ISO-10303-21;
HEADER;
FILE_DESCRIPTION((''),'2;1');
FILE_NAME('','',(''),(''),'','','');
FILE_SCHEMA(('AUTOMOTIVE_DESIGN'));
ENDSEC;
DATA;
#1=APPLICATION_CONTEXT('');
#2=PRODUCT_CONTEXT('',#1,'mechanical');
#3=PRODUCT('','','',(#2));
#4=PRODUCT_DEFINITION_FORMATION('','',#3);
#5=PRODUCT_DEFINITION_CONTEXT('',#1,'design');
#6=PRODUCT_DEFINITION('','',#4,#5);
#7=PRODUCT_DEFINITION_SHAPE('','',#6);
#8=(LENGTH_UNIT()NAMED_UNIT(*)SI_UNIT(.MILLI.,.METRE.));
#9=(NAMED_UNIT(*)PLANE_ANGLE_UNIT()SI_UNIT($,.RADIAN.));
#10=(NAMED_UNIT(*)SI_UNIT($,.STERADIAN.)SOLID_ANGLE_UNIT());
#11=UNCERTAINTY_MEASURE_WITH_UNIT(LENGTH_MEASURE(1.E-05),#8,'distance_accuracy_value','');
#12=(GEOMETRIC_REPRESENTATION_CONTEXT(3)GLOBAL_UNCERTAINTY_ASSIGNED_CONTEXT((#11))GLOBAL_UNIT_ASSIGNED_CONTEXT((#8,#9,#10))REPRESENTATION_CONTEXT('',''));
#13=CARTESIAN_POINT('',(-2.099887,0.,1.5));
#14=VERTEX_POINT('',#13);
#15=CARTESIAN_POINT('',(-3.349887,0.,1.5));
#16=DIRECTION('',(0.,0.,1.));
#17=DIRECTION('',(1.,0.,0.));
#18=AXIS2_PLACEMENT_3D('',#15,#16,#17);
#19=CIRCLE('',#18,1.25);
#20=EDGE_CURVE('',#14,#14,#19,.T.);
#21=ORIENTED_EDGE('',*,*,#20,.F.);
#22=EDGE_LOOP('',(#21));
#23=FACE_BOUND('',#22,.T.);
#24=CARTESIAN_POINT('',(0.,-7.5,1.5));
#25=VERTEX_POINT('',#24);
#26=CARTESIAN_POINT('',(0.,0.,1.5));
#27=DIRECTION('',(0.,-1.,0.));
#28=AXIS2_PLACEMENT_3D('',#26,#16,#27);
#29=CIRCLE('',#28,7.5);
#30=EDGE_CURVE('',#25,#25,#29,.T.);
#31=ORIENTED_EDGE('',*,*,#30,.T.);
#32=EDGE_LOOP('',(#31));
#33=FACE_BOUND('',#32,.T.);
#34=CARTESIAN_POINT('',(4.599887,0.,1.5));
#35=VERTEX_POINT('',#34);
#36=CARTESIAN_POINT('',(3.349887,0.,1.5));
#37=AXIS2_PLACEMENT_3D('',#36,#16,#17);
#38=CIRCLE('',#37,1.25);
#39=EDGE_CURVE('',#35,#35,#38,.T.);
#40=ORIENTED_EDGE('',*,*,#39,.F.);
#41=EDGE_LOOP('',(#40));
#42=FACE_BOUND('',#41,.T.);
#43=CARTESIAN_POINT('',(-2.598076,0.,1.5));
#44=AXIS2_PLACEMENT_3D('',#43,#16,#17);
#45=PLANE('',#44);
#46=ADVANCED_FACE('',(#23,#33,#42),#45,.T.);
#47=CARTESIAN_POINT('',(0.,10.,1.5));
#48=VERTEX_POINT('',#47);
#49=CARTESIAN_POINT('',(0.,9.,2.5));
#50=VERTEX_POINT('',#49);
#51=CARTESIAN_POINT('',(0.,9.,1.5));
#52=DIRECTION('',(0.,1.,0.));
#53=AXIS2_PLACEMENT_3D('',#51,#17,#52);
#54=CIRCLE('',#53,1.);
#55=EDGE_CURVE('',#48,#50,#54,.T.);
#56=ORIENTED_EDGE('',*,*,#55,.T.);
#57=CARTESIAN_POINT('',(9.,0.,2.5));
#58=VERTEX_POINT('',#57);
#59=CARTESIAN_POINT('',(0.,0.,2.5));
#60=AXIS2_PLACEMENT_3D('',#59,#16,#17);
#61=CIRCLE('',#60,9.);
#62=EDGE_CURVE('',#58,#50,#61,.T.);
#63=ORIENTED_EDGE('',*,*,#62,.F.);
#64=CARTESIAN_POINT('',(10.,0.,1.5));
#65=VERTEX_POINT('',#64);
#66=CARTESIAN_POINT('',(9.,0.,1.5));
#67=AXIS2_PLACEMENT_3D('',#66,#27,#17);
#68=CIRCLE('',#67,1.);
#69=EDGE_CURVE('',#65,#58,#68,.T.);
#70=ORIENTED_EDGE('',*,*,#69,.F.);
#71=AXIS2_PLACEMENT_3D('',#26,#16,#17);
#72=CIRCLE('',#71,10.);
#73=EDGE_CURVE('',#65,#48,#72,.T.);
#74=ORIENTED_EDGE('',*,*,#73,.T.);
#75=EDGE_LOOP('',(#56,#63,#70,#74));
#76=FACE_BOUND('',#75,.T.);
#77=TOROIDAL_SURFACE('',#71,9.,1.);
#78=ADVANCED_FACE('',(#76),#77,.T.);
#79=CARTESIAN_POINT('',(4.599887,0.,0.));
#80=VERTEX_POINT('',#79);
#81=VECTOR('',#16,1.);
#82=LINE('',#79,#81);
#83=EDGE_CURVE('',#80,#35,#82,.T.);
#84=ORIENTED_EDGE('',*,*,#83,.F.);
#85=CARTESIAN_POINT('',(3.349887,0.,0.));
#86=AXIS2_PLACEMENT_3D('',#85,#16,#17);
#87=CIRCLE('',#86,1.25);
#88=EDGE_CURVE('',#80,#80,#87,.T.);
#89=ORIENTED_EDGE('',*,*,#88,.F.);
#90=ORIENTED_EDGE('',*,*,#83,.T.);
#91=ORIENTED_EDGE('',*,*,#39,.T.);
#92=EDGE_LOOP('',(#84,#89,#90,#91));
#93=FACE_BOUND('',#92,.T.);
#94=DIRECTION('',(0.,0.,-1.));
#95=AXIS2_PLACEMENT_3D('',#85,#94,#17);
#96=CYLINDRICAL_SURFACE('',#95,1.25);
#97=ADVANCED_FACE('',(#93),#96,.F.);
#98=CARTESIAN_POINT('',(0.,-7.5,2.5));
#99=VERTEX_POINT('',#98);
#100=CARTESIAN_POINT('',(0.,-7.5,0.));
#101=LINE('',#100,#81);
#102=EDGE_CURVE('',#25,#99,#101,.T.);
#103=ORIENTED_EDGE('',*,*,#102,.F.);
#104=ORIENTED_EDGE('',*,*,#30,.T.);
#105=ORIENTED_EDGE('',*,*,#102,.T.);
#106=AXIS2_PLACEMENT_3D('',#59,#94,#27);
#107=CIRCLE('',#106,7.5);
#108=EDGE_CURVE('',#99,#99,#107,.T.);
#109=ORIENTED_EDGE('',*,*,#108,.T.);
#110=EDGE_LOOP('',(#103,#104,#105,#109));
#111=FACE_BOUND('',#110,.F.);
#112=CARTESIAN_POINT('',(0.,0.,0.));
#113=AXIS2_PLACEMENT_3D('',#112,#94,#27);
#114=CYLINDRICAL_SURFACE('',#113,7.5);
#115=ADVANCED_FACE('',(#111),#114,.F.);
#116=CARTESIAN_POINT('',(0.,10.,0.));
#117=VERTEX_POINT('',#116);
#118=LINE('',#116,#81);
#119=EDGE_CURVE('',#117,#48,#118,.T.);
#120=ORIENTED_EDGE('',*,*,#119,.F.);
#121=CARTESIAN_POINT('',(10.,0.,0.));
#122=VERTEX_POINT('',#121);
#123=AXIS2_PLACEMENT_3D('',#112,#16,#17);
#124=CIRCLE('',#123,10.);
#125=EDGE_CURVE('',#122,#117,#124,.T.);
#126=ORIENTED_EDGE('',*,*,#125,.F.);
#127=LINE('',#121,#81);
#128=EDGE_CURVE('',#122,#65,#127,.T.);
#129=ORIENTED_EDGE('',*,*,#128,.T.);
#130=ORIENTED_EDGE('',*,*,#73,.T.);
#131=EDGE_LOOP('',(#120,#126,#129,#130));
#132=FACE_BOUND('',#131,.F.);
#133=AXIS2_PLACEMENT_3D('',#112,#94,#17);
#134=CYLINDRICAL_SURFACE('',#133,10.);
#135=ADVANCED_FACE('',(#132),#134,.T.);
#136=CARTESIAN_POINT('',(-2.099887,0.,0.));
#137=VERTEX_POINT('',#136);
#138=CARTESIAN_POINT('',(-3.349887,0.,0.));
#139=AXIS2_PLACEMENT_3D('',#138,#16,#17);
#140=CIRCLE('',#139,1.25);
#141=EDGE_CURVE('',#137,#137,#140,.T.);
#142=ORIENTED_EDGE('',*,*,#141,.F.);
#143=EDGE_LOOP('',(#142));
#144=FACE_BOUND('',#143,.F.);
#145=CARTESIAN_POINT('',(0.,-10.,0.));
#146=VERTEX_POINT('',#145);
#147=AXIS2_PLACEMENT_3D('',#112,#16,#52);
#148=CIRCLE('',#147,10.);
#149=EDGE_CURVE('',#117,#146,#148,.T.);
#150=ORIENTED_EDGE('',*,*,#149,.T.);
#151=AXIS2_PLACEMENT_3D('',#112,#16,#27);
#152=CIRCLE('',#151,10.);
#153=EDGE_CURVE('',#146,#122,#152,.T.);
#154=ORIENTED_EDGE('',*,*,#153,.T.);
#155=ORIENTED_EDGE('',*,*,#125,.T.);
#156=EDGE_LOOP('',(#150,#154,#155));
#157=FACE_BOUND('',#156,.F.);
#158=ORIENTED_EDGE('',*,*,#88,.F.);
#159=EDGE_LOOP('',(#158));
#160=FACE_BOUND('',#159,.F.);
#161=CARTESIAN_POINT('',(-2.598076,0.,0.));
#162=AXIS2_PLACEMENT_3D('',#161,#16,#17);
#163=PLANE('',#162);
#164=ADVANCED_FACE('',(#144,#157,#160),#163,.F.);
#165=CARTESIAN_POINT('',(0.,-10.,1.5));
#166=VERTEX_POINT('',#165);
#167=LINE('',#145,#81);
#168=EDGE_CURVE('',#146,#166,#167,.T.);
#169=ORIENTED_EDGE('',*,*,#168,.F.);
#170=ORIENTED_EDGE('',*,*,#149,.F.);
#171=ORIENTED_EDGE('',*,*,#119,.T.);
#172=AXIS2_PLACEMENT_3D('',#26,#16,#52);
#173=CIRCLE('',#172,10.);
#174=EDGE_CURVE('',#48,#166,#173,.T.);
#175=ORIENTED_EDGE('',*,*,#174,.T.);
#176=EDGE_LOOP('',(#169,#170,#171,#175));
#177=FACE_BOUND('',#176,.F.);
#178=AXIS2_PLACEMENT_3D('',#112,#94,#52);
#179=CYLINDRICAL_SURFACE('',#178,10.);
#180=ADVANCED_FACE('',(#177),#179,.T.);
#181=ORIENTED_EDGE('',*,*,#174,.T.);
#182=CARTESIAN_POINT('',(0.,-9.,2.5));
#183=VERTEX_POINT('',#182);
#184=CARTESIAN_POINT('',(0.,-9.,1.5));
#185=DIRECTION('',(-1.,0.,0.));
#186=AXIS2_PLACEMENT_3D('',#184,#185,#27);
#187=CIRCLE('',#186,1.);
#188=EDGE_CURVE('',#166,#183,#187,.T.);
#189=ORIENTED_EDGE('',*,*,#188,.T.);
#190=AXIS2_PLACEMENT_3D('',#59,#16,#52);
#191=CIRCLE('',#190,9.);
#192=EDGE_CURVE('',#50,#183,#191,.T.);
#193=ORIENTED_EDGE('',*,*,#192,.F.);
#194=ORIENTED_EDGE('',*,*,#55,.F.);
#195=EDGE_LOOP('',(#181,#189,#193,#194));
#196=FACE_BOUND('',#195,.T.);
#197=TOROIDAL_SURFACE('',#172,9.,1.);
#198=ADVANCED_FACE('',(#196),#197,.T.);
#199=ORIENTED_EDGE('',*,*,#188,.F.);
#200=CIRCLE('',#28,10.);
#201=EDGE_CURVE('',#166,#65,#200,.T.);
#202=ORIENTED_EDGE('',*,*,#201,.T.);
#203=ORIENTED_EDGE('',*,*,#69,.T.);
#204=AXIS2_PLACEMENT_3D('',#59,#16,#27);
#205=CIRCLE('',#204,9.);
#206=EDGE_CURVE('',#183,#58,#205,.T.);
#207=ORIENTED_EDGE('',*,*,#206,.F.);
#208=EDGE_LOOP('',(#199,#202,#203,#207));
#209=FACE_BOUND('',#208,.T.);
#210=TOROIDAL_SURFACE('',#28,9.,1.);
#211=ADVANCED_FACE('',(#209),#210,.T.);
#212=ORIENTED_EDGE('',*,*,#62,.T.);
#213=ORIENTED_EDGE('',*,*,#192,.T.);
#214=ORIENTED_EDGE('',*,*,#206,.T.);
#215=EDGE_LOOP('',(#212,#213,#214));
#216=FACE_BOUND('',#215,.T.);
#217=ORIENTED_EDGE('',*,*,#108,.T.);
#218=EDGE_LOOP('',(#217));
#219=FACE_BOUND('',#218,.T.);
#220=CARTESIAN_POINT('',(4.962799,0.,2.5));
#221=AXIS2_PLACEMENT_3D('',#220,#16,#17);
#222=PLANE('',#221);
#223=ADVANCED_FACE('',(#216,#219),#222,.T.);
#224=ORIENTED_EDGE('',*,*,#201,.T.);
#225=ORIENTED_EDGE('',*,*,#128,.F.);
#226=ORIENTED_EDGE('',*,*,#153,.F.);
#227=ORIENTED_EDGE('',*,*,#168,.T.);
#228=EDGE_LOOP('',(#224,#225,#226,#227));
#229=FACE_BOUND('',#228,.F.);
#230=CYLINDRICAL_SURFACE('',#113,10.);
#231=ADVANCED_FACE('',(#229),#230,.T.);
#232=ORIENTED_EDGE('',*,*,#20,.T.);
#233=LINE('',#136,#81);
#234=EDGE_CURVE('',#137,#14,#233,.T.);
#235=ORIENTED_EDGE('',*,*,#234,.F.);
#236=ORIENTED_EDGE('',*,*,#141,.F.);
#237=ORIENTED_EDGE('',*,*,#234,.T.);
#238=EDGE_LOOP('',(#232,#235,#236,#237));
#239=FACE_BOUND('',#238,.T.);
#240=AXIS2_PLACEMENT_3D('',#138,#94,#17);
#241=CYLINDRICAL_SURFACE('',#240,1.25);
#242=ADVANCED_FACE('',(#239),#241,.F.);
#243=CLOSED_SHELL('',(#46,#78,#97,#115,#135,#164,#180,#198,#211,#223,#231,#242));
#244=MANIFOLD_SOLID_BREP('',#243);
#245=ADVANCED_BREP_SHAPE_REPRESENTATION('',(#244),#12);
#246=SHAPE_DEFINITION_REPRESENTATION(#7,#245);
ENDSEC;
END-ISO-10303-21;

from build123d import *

# Parameters (mm, degrees)
F1_DEPTH = 2.5
F0_R     = 1.25
F2_DEPTH = 1.5
F3_R     = 1


with BuildPart() as f1:
    # F0 (on Top) → F1 (new body)
    with BuildSketch(Plane.XY):
        with BuildLine():
            ThreePointArc((0, 7.5), (5.3033008589, 5.3033008589), (7.5, 0))
            ThreePointArc((7.5, 0), (5.3033008589, -5.3033008589), (0, -7.5))
            Line((0, -7.5), (0, -10))
            ThreePointArc((0, -10), (7.0710678119, -7.0710678119), (10, 0))
            ThreePointArc((10, 0), (7.0710678119, 7.0710678119), (0, 10))
            Line((0, 10), (0, 7.5))
        make_face()
        with BuildLine():
            ThreePointArc((0, -7.5), (-7.5, 0), (0, 7.5))
            Line((0, 7.5), (0, 10))
            ThreePointArc((0, 10), (-10, 0), (0, -10))
            Line((0, -10), (0, -7.5))
        make_face()
    extrude(amount=F1_DEPTH)

    # F0 (on Top) → F2 (join)
    with BuildSketch(Plane.XY):
        with BuildLine():
            Line((0, -7.5), (0, 7.5))
            ThreePointArc((0, 7.5), (-7.5, 0), (0, -7.5))
        make_face()
        with Locations((-3.3498867415, 0)):
            Circle(F0_R, mode=Mode.SUBTRACT)
        with BuildLine():
            ThreePointArc((0, -7.5), (5.3033008589, -5.3033008589), (7.5, 0))
            ThreePointArc((7.5, 0), (5.3033008589, 5.3033008589), (0, 7.5))
            Line((0, 7.5), (0, -7.5))
        make_face()
        with Locations((3.3498867415, 0)):
            Circle(F0_R, mode=Mode.SUBTRACT)
    extrude(amount=F2_DEPTH)

    # F3
    f3_edges = [f1.edges().sort_by_distance(p)[0] for p in [
        (-10, 0, 2.5),
    ]]
    fillet(f3_edges, radius=F3_R)


solid = f1.part
